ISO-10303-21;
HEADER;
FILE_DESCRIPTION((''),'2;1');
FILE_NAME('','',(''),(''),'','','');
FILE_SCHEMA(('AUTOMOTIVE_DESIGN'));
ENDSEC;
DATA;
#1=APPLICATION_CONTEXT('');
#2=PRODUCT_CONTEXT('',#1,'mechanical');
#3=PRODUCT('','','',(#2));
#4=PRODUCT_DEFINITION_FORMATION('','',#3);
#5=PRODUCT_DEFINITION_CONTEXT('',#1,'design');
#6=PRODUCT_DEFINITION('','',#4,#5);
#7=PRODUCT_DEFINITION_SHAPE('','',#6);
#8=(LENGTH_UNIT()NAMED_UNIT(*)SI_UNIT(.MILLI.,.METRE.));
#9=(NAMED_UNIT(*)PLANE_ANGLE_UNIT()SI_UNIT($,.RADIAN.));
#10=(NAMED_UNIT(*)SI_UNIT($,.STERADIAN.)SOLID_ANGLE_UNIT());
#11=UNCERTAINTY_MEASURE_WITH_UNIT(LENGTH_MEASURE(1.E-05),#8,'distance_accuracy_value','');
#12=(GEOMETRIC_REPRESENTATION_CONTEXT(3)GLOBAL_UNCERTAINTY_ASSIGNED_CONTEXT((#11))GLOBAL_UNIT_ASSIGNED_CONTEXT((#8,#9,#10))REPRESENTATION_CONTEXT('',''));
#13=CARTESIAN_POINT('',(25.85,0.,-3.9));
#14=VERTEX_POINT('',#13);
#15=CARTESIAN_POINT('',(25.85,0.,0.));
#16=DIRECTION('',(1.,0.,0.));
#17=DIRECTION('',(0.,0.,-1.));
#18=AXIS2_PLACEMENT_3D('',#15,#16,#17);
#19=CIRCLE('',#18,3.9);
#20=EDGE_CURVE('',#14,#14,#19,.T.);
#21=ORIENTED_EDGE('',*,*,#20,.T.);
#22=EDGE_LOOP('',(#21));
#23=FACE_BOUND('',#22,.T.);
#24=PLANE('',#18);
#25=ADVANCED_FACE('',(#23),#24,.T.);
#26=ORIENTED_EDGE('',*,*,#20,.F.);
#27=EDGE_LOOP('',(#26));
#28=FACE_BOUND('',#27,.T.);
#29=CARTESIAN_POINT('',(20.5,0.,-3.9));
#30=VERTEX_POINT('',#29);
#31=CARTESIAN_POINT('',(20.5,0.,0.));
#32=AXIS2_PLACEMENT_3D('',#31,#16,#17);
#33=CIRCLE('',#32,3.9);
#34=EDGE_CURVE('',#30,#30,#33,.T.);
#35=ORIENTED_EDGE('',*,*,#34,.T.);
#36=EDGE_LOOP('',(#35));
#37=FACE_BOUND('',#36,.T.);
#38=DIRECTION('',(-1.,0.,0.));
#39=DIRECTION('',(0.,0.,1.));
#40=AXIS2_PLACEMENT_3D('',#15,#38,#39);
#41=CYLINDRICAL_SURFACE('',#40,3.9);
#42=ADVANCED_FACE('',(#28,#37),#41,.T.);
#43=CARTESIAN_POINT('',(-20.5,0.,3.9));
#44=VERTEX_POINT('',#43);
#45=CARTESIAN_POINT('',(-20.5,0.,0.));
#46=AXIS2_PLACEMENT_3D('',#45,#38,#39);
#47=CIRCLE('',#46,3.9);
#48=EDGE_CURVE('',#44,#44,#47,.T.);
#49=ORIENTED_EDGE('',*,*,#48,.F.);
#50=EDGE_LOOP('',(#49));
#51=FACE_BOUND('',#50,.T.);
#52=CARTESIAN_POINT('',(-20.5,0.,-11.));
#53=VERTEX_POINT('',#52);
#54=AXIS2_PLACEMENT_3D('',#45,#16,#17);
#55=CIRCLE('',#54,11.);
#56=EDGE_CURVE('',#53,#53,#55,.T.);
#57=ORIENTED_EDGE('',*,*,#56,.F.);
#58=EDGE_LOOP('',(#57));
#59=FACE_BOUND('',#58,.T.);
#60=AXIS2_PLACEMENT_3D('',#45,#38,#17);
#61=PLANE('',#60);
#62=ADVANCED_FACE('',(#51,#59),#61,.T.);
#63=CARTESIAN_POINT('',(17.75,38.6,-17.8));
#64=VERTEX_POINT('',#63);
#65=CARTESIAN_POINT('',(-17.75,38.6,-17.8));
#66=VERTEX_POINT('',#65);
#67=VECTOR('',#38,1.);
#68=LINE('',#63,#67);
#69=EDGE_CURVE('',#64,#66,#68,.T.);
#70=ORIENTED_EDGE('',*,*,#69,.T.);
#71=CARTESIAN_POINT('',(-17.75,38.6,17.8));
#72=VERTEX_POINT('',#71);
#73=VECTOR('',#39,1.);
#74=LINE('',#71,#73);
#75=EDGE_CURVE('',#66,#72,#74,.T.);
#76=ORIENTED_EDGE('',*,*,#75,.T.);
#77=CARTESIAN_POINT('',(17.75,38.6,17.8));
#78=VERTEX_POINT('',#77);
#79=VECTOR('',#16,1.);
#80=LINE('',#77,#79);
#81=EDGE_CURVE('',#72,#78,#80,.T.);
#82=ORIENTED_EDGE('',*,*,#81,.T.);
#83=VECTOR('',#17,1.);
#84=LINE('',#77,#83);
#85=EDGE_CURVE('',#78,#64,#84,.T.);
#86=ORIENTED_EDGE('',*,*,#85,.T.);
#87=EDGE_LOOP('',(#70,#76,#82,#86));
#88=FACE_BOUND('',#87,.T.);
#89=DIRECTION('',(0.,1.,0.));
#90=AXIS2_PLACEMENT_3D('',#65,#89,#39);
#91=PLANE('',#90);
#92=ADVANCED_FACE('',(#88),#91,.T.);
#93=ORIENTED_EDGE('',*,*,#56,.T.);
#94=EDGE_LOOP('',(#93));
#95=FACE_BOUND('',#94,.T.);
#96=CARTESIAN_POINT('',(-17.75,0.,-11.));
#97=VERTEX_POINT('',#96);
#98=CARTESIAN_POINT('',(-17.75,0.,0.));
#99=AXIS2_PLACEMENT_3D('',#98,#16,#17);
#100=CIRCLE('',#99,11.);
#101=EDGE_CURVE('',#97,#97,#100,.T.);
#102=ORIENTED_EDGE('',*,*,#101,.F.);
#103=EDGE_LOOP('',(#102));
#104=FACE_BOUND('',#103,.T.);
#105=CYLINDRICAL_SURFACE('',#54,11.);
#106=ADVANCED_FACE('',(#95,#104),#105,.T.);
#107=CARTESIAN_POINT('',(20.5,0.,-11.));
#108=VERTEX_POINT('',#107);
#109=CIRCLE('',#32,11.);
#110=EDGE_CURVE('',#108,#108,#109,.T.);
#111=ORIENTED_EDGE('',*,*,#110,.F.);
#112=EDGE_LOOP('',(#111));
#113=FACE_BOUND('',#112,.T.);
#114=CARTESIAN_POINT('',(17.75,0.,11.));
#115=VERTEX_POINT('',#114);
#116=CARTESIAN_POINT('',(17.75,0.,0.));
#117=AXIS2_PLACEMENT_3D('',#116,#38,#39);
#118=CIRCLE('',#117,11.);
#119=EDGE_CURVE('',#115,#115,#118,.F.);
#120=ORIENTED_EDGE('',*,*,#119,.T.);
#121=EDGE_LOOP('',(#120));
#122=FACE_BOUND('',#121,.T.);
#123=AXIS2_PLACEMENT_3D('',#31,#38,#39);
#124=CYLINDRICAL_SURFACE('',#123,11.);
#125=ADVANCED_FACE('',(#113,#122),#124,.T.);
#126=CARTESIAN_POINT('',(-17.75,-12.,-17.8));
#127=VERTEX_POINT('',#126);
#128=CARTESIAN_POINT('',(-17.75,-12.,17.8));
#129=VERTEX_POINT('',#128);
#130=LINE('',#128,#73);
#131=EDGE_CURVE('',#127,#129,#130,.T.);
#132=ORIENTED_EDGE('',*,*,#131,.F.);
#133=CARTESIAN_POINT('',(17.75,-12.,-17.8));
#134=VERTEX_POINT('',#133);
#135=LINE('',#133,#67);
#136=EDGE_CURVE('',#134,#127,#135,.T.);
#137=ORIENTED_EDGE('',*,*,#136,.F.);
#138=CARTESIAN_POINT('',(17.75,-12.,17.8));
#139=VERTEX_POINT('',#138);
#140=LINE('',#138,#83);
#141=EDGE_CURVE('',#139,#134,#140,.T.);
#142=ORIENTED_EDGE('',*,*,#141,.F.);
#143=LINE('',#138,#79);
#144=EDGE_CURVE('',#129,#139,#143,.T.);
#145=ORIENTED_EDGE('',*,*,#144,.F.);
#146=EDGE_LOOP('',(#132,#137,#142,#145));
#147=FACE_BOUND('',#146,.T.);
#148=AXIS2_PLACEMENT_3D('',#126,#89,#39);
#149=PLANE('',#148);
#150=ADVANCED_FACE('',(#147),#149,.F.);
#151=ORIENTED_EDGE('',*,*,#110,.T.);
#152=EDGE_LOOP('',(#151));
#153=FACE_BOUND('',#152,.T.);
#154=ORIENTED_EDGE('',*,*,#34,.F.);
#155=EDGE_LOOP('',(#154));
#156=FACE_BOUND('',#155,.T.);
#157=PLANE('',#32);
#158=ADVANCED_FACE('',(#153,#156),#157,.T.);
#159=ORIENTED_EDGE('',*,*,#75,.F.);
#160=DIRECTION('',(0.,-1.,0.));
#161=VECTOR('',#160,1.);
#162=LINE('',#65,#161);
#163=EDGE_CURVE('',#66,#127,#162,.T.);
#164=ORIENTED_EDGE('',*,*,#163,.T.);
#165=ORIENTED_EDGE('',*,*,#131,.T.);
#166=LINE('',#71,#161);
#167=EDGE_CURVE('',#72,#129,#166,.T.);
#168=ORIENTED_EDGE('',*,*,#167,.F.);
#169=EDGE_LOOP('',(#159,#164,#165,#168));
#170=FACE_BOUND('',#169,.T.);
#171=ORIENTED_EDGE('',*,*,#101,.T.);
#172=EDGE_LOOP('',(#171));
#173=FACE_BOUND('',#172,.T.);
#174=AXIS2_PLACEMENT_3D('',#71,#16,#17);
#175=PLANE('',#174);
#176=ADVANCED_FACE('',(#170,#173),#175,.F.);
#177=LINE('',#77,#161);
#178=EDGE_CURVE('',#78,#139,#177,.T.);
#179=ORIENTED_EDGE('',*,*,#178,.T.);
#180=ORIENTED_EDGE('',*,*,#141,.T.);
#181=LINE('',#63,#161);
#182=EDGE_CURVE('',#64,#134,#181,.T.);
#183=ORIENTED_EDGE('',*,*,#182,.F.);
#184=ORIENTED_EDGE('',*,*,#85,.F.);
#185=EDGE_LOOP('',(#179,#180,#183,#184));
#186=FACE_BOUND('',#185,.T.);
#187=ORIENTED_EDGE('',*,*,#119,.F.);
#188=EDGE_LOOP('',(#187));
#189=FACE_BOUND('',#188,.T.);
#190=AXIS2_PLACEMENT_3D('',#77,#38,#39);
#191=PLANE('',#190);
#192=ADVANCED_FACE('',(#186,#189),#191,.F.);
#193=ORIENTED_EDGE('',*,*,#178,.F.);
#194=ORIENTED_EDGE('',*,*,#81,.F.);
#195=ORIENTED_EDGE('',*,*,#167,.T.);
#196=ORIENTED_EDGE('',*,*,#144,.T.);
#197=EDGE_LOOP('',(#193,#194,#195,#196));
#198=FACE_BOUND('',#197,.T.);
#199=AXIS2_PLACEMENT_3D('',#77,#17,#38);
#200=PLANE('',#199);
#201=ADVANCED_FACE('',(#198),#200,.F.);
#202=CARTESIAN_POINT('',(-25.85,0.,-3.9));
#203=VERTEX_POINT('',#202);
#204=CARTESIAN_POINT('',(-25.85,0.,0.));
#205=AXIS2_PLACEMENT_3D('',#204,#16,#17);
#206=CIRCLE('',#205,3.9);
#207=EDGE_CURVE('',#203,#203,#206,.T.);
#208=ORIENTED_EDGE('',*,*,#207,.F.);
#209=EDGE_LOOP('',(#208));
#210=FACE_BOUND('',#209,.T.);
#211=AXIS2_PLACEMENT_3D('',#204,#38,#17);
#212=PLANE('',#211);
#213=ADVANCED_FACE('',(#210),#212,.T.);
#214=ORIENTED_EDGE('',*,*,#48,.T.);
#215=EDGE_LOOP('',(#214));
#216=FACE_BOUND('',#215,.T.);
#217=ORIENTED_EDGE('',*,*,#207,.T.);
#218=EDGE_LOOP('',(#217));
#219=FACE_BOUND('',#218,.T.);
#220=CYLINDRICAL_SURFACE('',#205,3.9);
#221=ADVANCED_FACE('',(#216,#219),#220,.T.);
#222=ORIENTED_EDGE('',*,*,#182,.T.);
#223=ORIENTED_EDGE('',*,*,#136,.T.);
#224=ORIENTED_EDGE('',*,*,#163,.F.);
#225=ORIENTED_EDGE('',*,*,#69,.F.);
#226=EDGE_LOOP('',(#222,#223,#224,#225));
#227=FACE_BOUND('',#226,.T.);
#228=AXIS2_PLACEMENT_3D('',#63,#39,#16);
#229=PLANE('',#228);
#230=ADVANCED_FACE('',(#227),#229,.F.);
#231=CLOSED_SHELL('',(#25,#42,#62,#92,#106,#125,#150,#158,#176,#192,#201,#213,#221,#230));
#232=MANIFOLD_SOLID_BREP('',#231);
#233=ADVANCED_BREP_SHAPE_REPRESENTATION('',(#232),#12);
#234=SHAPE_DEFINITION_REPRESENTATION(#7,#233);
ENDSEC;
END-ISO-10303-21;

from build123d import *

# Parameters (mm, degrees)
SKETCH2_W           = 35.5
SKETCH2_H           = 35.6
BOSS_EXTRUDE1_DEPTH = 50.6
SKETCH3_R           = 11
BOSS_EXTRUDE2_DEPTH = 2.75
SKETCH4_R           = 3.9
BOSS_EXTRUDE3_DEPTH = 5.35


with BuildPart() as part:
    # Sketch2 → Boss-Extrude1 (new body)
    with BuildSketch(Plane(origin=(0, -12, 0), x_dir=(-1, 0, 0), z_dir=(0, 1, 0))):
        Rectangle(SKETCH2_W, SKETCH2_H)
    extrude(amount=BOSS_EXTRUDE1_DEPTH)

    # Sketch3 → Boss-Extrude2 (add)
    with BuildSketch(Plane(origin=(17.75, 0, 0), x_dir=(0, 0, -1), z_dir=(1, 0, 0))):
        Circle(SKETCH3_R)
    boss_extrude2 = extrude(amount=BOSS_EXTRUDE2_DEPTH)

    # Sketch4 → Boss-Extrude3 (add)
    with BuildSketch(Plane(origin=(20.5, 0, 0), x_dir=(0, 0, -1), z_dir=(1, 0, 0))):
        Circle(SKETCH4_R)
    boss_extrude3 = extrude(amount=BOSS_EXTRUDE3_DEPTH)

    # Mirror1: Boss-Extrude2, Boss-Extrude3 across plane
    add(boss_extrude2.mirror(Plane(origin=(0, 0, 0), x_dir=(0, 0, 1), z_dir=(1, 0, 0))))
    add(boss_extrude3.mirror(Plane(origin=(0, 0, 0), x_dir=(0, 0, 1), z_dir=(1, 0, 0))))


solid = part.part
